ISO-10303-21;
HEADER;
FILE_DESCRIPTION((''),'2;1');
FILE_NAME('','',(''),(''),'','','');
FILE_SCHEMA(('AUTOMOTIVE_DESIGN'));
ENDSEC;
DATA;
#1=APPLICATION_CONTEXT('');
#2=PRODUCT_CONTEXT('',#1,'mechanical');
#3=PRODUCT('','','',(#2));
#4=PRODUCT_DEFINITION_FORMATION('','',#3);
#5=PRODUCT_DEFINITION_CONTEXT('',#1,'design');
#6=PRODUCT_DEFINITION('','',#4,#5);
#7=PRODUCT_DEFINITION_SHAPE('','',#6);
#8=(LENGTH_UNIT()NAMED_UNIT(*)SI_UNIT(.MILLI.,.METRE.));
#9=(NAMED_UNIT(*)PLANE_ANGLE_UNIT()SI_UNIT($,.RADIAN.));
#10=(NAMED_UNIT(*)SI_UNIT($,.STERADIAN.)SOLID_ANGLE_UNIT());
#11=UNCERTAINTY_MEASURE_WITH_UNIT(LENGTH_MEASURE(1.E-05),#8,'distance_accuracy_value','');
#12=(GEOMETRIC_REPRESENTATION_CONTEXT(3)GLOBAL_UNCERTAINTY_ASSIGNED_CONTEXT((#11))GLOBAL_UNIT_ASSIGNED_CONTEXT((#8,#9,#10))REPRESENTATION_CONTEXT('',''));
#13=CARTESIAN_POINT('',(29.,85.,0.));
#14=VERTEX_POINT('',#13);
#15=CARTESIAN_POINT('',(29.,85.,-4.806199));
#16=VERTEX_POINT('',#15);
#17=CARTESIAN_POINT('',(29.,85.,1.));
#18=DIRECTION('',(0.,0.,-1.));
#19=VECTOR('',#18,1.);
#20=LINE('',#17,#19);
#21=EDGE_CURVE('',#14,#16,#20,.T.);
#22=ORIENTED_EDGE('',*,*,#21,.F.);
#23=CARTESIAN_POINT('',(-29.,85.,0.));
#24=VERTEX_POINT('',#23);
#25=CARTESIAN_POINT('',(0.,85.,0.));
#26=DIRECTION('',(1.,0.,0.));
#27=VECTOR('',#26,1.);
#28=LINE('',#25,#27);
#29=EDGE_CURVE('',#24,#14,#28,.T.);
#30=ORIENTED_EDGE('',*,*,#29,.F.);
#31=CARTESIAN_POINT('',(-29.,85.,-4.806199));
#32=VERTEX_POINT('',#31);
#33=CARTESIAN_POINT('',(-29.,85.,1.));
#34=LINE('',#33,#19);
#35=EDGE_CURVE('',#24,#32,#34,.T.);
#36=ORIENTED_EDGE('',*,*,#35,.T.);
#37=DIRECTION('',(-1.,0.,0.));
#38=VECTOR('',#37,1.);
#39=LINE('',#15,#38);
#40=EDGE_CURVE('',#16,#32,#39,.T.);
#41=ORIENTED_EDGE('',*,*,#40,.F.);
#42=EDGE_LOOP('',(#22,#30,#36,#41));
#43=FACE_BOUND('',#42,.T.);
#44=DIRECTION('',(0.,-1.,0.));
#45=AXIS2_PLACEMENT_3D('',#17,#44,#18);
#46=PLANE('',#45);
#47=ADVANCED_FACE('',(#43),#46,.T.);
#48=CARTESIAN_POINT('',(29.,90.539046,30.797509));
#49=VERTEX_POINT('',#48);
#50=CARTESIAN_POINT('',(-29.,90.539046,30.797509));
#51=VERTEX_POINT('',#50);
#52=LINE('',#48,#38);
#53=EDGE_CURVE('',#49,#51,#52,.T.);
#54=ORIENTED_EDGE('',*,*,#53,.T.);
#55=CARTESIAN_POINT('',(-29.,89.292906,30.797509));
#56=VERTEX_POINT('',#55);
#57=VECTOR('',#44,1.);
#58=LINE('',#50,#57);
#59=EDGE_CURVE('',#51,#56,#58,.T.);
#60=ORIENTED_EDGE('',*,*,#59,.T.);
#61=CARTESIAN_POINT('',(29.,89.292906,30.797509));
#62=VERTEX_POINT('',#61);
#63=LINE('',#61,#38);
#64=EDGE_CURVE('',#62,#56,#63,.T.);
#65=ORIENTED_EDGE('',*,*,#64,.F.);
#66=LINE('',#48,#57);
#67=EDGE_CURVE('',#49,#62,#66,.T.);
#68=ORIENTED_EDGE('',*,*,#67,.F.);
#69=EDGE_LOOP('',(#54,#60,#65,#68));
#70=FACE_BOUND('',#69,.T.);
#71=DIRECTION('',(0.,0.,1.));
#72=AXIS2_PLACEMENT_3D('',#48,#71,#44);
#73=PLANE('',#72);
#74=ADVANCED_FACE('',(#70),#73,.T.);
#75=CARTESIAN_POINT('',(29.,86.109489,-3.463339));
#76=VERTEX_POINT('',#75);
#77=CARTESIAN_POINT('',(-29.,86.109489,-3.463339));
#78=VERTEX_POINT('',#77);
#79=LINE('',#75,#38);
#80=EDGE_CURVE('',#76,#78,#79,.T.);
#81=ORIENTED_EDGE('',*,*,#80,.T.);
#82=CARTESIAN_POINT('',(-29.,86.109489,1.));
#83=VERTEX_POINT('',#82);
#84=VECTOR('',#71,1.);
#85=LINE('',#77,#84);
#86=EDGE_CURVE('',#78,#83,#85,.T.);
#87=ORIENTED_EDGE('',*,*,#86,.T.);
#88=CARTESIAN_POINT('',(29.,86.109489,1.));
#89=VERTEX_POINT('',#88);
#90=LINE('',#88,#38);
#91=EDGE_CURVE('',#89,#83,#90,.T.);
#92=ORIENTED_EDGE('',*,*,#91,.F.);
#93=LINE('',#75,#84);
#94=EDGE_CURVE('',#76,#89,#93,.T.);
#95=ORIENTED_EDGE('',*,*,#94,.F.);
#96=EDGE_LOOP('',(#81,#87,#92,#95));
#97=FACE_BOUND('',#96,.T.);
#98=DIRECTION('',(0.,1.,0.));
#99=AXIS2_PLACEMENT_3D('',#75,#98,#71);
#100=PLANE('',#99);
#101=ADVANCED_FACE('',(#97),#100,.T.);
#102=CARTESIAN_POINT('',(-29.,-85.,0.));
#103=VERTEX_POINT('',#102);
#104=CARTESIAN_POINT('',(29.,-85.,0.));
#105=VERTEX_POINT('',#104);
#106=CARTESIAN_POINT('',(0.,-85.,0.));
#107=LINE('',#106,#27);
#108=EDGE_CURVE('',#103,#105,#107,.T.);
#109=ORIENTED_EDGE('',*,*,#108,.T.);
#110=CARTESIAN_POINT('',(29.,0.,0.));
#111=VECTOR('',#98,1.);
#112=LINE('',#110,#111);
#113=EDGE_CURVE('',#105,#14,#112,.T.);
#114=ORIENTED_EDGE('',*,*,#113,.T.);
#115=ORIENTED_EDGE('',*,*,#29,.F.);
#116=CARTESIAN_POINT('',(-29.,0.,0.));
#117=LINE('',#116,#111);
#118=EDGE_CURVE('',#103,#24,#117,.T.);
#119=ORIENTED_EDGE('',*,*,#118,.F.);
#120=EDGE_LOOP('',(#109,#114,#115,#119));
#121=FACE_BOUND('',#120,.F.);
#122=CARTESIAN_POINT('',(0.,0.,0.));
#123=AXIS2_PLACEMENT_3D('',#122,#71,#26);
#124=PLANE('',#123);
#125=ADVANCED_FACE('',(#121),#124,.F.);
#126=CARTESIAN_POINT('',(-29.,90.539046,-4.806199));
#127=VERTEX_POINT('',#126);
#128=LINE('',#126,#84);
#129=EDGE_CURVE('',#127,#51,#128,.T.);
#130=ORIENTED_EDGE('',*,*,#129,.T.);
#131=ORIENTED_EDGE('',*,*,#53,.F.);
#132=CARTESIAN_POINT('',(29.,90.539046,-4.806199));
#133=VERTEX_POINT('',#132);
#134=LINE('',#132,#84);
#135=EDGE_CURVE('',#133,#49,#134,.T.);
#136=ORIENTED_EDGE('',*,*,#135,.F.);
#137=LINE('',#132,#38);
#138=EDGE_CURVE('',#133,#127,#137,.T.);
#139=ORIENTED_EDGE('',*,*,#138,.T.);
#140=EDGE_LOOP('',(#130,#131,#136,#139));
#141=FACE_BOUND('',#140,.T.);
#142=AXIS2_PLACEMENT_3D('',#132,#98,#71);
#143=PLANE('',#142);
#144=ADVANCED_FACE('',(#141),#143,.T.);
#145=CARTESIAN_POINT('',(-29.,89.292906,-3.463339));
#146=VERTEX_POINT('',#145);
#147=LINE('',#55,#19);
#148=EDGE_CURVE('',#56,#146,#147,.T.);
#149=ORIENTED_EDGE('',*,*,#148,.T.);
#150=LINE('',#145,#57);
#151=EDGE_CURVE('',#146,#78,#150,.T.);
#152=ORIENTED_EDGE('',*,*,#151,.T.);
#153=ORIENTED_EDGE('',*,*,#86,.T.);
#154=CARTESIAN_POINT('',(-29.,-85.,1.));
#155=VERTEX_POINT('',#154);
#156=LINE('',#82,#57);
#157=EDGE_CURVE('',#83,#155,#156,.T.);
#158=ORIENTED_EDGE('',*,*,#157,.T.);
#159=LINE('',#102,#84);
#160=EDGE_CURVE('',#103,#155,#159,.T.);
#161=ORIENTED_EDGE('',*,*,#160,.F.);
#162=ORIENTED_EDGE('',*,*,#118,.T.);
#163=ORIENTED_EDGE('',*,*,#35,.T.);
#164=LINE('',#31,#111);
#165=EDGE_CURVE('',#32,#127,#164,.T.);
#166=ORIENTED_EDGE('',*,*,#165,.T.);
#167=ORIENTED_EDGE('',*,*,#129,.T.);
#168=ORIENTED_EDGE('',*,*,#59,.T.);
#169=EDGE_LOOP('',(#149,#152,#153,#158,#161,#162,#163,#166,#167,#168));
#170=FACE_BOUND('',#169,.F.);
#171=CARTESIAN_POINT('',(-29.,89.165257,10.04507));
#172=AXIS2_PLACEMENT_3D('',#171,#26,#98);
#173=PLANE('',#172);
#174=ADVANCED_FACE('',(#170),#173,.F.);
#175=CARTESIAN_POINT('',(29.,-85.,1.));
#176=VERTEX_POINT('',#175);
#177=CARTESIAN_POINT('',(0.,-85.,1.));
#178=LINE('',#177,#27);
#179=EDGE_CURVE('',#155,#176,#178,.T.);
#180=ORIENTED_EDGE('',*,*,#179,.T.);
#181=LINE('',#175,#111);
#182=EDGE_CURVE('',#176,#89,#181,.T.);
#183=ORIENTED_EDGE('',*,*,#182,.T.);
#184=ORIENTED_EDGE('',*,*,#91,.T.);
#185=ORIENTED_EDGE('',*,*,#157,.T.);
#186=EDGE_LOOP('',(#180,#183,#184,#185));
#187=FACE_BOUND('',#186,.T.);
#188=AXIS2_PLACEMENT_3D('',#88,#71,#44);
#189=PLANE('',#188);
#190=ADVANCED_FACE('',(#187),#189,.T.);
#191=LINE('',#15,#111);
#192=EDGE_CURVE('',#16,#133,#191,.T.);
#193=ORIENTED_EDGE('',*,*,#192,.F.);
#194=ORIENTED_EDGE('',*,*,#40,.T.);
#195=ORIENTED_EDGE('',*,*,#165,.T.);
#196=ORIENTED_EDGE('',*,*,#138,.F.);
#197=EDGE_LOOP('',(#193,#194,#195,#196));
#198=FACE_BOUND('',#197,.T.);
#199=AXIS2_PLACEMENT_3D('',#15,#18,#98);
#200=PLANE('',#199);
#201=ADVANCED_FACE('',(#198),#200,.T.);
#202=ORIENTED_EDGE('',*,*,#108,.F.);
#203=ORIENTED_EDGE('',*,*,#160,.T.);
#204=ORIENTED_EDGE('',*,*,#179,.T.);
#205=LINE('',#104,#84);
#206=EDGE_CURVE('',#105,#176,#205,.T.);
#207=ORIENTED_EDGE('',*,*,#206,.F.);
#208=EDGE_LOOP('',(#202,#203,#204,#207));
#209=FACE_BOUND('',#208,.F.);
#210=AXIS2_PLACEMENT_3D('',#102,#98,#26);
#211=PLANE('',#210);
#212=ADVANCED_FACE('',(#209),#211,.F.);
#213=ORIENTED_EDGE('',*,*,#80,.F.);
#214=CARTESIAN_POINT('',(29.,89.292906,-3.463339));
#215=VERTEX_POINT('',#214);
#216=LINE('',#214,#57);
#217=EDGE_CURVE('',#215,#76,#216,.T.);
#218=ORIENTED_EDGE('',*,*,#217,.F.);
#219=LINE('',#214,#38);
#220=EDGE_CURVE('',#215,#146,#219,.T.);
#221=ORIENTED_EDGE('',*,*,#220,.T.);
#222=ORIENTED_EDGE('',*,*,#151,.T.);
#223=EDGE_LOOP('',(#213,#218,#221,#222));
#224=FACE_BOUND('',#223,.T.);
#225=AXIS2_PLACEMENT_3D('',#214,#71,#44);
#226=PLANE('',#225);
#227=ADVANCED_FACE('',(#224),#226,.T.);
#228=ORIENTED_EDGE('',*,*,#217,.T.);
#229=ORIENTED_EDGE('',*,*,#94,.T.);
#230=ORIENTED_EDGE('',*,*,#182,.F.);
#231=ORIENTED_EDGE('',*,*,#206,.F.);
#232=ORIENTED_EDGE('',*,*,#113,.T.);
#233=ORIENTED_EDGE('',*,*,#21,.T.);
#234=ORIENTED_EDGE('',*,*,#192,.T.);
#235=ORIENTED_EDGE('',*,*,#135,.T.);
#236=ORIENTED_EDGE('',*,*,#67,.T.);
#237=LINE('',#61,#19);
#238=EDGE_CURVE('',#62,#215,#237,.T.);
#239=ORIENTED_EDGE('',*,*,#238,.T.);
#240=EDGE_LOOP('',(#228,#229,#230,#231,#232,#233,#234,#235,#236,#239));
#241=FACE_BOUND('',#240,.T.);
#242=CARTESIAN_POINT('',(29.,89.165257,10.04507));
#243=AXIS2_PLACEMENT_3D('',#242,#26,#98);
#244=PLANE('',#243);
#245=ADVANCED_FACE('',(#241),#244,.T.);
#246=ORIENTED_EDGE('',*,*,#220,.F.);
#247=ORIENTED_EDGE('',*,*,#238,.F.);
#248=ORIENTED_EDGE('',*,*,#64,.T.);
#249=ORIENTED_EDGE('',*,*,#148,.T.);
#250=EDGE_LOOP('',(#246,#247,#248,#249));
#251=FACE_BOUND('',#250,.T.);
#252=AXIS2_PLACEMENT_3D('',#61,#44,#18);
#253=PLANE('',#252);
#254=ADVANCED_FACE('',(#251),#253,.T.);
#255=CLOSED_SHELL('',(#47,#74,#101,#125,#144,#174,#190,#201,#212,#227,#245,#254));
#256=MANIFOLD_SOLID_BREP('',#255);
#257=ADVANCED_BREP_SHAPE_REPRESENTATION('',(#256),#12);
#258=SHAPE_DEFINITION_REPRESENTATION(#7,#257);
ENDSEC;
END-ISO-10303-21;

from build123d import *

# Parameters (mm, degrees)
F0_W     = 58
F0_H     = 170
F1_DEPTH = 1
F3_DEPTH = 58


with BuildPart() as f1:
    # F0 (on Top) → F1 (new body)
    with BuildSketch(Plane.XY):
        Rectangle(F0_W, F0_H)
    extrude(amount=F1_DEPTH)

    # F2 (on face) → F3 (join, through all)
    with BuildSketch(Plane.YZ.offset(29)):
        Polygon((86.109489, 1), (85, 1), (85, -4.806199), (86.109489, -4.806199), (90.539046, -4.806199), (90.539046, -3.463339), (90.539046, 30.797509), (89.292906, 30.797509), (89.292906, -3.463339), (86.109489, -3.463339), align=None)
    extrude(amount=-F3_DEPTH)


solid = f1.part
